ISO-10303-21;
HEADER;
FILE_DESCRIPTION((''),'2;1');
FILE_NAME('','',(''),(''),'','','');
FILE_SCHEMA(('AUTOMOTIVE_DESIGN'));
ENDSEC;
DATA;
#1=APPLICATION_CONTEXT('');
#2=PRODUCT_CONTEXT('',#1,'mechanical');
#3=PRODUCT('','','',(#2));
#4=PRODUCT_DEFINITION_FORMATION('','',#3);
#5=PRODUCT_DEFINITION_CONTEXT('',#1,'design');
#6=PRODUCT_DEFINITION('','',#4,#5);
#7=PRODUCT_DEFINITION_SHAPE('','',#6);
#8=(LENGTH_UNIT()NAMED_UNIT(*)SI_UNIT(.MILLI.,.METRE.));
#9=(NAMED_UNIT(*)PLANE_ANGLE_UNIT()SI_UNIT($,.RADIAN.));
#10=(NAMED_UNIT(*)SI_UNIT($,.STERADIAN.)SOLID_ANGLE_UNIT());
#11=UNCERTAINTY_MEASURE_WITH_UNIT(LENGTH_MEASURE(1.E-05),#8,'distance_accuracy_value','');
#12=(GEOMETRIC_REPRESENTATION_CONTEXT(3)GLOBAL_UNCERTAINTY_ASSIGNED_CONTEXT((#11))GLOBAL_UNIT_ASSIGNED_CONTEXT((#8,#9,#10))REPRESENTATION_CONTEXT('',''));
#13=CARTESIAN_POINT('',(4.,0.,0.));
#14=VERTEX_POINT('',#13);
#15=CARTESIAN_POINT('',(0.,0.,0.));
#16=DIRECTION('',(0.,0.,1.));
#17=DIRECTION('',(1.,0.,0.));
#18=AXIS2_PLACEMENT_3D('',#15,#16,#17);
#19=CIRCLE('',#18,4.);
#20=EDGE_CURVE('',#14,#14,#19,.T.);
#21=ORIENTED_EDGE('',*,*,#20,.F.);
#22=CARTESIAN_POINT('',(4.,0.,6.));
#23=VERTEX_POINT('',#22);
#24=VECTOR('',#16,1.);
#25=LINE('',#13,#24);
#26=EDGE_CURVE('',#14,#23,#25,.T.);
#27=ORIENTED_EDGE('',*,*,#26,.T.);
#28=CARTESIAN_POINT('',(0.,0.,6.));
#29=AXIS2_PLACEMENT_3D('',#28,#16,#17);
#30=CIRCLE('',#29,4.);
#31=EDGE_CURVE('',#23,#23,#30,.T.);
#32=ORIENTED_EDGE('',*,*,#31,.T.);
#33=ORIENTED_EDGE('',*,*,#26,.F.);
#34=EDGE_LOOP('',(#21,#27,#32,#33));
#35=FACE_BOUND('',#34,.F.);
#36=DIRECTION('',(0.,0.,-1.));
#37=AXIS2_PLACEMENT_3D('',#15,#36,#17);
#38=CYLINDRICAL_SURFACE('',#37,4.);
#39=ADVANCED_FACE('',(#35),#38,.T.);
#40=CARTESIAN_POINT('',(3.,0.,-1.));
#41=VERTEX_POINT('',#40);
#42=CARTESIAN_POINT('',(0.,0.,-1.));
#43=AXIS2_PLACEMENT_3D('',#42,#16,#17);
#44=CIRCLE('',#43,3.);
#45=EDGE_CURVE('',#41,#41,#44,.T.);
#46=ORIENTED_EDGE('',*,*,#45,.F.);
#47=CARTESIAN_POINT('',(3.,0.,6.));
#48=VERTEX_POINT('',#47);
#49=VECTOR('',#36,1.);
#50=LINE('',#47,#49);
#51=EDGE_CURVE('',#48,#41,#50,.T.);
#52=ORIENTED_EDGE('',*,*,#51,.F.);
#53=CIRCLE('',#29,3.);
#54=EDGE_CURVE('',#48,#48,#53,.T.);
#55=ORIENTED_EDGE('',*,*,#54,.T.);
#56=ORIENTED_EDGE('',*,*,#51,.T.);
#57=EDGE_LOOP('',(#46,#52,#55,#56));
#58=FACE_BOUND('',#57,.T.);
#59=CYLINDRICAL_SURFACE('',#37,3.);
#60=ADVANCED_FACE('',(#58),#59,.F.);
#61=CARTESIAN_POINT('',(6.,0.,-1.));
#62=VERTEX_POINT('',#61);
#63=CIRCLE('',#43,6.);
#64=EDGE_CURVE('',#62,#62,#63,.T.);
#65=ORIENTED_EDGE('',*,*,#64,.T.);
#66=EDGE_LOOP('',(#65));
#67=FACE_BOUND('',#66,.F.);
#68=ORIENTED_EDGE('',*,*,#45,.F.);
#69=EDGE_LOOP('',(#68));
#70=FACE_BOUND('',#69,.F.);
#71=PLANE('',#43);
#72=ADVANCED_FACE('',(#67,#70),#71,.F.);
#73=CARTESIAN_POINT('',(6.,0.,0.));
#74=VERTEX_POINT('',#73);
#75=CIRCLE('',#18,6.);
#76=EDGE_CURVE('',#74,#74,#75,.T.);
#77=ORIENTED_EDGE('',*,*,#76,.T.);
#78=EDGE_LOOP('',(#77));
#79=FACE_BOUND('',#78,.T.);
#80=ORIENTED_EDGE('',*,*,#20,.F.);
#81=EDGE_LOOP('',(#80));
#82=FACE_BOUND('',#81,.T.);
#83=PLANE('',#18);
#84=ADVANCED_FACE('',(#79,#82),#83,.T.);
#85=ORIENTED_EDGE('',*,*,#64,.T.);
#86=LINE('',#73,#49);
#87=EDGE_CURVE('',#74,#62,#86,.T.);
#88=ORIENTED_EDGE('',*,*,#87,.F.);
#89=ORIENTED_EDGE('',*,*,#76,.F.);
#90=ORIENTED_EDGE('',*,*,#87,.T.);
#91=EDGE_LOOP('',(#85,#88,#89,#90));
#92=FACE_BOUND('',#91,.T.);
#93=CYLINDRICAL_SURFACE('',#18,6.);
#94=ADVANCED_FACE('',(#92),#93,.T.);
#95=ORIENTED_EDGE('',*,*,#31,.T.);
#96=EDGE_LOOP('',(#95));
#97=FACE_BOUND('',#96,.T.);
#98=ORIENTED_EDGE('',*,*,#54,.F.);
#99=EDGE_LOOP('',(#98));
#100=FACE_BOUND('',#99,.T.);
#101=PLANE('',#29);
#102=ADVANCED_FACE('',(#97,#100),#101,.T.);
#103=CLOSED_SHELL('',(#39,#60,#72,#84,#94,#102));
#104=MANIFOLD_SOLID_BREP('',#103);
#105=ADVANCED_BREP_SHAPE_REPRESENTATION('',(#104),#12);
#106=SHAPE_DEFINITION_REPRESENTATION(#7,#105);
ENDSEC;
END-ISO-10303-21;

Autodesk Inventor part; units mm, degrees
ref_plane "YZ Plane" through (0, 0, 0) normal (1, 0, 0) x (0, 1, 0)
ref_plane "XZ Plane" through (0, 0, 0) normal (0, 1, 0) x (-1, 0, 0)
ref_plane "XY Plane" through (0, 0, 0) normal (0, 0, 1) x (1, 0, 0)
sketch "スケッチ1" plane through (0, 0, 0) normal (0, 0, 1) x (1, 0, 0)
  circle A0 centre (0, 0) radius 3
  circle A1 centre (0, 0) radius 4
  circle A2 centre (0, 0) radius 6
  dimension "d0" = 6
  dimension "d1" = 8
  dimension "d2" = 12
extrude "押し出し1" add sketch "スケッチ1" along normal blind 6 contours A1
extrude "押し出し2" add sketch "スケッチ1" against normal blind 1 contours A1 | A2
properties part number "フランジオイレス6-8-6" material "アセタール樹脂、黒"
